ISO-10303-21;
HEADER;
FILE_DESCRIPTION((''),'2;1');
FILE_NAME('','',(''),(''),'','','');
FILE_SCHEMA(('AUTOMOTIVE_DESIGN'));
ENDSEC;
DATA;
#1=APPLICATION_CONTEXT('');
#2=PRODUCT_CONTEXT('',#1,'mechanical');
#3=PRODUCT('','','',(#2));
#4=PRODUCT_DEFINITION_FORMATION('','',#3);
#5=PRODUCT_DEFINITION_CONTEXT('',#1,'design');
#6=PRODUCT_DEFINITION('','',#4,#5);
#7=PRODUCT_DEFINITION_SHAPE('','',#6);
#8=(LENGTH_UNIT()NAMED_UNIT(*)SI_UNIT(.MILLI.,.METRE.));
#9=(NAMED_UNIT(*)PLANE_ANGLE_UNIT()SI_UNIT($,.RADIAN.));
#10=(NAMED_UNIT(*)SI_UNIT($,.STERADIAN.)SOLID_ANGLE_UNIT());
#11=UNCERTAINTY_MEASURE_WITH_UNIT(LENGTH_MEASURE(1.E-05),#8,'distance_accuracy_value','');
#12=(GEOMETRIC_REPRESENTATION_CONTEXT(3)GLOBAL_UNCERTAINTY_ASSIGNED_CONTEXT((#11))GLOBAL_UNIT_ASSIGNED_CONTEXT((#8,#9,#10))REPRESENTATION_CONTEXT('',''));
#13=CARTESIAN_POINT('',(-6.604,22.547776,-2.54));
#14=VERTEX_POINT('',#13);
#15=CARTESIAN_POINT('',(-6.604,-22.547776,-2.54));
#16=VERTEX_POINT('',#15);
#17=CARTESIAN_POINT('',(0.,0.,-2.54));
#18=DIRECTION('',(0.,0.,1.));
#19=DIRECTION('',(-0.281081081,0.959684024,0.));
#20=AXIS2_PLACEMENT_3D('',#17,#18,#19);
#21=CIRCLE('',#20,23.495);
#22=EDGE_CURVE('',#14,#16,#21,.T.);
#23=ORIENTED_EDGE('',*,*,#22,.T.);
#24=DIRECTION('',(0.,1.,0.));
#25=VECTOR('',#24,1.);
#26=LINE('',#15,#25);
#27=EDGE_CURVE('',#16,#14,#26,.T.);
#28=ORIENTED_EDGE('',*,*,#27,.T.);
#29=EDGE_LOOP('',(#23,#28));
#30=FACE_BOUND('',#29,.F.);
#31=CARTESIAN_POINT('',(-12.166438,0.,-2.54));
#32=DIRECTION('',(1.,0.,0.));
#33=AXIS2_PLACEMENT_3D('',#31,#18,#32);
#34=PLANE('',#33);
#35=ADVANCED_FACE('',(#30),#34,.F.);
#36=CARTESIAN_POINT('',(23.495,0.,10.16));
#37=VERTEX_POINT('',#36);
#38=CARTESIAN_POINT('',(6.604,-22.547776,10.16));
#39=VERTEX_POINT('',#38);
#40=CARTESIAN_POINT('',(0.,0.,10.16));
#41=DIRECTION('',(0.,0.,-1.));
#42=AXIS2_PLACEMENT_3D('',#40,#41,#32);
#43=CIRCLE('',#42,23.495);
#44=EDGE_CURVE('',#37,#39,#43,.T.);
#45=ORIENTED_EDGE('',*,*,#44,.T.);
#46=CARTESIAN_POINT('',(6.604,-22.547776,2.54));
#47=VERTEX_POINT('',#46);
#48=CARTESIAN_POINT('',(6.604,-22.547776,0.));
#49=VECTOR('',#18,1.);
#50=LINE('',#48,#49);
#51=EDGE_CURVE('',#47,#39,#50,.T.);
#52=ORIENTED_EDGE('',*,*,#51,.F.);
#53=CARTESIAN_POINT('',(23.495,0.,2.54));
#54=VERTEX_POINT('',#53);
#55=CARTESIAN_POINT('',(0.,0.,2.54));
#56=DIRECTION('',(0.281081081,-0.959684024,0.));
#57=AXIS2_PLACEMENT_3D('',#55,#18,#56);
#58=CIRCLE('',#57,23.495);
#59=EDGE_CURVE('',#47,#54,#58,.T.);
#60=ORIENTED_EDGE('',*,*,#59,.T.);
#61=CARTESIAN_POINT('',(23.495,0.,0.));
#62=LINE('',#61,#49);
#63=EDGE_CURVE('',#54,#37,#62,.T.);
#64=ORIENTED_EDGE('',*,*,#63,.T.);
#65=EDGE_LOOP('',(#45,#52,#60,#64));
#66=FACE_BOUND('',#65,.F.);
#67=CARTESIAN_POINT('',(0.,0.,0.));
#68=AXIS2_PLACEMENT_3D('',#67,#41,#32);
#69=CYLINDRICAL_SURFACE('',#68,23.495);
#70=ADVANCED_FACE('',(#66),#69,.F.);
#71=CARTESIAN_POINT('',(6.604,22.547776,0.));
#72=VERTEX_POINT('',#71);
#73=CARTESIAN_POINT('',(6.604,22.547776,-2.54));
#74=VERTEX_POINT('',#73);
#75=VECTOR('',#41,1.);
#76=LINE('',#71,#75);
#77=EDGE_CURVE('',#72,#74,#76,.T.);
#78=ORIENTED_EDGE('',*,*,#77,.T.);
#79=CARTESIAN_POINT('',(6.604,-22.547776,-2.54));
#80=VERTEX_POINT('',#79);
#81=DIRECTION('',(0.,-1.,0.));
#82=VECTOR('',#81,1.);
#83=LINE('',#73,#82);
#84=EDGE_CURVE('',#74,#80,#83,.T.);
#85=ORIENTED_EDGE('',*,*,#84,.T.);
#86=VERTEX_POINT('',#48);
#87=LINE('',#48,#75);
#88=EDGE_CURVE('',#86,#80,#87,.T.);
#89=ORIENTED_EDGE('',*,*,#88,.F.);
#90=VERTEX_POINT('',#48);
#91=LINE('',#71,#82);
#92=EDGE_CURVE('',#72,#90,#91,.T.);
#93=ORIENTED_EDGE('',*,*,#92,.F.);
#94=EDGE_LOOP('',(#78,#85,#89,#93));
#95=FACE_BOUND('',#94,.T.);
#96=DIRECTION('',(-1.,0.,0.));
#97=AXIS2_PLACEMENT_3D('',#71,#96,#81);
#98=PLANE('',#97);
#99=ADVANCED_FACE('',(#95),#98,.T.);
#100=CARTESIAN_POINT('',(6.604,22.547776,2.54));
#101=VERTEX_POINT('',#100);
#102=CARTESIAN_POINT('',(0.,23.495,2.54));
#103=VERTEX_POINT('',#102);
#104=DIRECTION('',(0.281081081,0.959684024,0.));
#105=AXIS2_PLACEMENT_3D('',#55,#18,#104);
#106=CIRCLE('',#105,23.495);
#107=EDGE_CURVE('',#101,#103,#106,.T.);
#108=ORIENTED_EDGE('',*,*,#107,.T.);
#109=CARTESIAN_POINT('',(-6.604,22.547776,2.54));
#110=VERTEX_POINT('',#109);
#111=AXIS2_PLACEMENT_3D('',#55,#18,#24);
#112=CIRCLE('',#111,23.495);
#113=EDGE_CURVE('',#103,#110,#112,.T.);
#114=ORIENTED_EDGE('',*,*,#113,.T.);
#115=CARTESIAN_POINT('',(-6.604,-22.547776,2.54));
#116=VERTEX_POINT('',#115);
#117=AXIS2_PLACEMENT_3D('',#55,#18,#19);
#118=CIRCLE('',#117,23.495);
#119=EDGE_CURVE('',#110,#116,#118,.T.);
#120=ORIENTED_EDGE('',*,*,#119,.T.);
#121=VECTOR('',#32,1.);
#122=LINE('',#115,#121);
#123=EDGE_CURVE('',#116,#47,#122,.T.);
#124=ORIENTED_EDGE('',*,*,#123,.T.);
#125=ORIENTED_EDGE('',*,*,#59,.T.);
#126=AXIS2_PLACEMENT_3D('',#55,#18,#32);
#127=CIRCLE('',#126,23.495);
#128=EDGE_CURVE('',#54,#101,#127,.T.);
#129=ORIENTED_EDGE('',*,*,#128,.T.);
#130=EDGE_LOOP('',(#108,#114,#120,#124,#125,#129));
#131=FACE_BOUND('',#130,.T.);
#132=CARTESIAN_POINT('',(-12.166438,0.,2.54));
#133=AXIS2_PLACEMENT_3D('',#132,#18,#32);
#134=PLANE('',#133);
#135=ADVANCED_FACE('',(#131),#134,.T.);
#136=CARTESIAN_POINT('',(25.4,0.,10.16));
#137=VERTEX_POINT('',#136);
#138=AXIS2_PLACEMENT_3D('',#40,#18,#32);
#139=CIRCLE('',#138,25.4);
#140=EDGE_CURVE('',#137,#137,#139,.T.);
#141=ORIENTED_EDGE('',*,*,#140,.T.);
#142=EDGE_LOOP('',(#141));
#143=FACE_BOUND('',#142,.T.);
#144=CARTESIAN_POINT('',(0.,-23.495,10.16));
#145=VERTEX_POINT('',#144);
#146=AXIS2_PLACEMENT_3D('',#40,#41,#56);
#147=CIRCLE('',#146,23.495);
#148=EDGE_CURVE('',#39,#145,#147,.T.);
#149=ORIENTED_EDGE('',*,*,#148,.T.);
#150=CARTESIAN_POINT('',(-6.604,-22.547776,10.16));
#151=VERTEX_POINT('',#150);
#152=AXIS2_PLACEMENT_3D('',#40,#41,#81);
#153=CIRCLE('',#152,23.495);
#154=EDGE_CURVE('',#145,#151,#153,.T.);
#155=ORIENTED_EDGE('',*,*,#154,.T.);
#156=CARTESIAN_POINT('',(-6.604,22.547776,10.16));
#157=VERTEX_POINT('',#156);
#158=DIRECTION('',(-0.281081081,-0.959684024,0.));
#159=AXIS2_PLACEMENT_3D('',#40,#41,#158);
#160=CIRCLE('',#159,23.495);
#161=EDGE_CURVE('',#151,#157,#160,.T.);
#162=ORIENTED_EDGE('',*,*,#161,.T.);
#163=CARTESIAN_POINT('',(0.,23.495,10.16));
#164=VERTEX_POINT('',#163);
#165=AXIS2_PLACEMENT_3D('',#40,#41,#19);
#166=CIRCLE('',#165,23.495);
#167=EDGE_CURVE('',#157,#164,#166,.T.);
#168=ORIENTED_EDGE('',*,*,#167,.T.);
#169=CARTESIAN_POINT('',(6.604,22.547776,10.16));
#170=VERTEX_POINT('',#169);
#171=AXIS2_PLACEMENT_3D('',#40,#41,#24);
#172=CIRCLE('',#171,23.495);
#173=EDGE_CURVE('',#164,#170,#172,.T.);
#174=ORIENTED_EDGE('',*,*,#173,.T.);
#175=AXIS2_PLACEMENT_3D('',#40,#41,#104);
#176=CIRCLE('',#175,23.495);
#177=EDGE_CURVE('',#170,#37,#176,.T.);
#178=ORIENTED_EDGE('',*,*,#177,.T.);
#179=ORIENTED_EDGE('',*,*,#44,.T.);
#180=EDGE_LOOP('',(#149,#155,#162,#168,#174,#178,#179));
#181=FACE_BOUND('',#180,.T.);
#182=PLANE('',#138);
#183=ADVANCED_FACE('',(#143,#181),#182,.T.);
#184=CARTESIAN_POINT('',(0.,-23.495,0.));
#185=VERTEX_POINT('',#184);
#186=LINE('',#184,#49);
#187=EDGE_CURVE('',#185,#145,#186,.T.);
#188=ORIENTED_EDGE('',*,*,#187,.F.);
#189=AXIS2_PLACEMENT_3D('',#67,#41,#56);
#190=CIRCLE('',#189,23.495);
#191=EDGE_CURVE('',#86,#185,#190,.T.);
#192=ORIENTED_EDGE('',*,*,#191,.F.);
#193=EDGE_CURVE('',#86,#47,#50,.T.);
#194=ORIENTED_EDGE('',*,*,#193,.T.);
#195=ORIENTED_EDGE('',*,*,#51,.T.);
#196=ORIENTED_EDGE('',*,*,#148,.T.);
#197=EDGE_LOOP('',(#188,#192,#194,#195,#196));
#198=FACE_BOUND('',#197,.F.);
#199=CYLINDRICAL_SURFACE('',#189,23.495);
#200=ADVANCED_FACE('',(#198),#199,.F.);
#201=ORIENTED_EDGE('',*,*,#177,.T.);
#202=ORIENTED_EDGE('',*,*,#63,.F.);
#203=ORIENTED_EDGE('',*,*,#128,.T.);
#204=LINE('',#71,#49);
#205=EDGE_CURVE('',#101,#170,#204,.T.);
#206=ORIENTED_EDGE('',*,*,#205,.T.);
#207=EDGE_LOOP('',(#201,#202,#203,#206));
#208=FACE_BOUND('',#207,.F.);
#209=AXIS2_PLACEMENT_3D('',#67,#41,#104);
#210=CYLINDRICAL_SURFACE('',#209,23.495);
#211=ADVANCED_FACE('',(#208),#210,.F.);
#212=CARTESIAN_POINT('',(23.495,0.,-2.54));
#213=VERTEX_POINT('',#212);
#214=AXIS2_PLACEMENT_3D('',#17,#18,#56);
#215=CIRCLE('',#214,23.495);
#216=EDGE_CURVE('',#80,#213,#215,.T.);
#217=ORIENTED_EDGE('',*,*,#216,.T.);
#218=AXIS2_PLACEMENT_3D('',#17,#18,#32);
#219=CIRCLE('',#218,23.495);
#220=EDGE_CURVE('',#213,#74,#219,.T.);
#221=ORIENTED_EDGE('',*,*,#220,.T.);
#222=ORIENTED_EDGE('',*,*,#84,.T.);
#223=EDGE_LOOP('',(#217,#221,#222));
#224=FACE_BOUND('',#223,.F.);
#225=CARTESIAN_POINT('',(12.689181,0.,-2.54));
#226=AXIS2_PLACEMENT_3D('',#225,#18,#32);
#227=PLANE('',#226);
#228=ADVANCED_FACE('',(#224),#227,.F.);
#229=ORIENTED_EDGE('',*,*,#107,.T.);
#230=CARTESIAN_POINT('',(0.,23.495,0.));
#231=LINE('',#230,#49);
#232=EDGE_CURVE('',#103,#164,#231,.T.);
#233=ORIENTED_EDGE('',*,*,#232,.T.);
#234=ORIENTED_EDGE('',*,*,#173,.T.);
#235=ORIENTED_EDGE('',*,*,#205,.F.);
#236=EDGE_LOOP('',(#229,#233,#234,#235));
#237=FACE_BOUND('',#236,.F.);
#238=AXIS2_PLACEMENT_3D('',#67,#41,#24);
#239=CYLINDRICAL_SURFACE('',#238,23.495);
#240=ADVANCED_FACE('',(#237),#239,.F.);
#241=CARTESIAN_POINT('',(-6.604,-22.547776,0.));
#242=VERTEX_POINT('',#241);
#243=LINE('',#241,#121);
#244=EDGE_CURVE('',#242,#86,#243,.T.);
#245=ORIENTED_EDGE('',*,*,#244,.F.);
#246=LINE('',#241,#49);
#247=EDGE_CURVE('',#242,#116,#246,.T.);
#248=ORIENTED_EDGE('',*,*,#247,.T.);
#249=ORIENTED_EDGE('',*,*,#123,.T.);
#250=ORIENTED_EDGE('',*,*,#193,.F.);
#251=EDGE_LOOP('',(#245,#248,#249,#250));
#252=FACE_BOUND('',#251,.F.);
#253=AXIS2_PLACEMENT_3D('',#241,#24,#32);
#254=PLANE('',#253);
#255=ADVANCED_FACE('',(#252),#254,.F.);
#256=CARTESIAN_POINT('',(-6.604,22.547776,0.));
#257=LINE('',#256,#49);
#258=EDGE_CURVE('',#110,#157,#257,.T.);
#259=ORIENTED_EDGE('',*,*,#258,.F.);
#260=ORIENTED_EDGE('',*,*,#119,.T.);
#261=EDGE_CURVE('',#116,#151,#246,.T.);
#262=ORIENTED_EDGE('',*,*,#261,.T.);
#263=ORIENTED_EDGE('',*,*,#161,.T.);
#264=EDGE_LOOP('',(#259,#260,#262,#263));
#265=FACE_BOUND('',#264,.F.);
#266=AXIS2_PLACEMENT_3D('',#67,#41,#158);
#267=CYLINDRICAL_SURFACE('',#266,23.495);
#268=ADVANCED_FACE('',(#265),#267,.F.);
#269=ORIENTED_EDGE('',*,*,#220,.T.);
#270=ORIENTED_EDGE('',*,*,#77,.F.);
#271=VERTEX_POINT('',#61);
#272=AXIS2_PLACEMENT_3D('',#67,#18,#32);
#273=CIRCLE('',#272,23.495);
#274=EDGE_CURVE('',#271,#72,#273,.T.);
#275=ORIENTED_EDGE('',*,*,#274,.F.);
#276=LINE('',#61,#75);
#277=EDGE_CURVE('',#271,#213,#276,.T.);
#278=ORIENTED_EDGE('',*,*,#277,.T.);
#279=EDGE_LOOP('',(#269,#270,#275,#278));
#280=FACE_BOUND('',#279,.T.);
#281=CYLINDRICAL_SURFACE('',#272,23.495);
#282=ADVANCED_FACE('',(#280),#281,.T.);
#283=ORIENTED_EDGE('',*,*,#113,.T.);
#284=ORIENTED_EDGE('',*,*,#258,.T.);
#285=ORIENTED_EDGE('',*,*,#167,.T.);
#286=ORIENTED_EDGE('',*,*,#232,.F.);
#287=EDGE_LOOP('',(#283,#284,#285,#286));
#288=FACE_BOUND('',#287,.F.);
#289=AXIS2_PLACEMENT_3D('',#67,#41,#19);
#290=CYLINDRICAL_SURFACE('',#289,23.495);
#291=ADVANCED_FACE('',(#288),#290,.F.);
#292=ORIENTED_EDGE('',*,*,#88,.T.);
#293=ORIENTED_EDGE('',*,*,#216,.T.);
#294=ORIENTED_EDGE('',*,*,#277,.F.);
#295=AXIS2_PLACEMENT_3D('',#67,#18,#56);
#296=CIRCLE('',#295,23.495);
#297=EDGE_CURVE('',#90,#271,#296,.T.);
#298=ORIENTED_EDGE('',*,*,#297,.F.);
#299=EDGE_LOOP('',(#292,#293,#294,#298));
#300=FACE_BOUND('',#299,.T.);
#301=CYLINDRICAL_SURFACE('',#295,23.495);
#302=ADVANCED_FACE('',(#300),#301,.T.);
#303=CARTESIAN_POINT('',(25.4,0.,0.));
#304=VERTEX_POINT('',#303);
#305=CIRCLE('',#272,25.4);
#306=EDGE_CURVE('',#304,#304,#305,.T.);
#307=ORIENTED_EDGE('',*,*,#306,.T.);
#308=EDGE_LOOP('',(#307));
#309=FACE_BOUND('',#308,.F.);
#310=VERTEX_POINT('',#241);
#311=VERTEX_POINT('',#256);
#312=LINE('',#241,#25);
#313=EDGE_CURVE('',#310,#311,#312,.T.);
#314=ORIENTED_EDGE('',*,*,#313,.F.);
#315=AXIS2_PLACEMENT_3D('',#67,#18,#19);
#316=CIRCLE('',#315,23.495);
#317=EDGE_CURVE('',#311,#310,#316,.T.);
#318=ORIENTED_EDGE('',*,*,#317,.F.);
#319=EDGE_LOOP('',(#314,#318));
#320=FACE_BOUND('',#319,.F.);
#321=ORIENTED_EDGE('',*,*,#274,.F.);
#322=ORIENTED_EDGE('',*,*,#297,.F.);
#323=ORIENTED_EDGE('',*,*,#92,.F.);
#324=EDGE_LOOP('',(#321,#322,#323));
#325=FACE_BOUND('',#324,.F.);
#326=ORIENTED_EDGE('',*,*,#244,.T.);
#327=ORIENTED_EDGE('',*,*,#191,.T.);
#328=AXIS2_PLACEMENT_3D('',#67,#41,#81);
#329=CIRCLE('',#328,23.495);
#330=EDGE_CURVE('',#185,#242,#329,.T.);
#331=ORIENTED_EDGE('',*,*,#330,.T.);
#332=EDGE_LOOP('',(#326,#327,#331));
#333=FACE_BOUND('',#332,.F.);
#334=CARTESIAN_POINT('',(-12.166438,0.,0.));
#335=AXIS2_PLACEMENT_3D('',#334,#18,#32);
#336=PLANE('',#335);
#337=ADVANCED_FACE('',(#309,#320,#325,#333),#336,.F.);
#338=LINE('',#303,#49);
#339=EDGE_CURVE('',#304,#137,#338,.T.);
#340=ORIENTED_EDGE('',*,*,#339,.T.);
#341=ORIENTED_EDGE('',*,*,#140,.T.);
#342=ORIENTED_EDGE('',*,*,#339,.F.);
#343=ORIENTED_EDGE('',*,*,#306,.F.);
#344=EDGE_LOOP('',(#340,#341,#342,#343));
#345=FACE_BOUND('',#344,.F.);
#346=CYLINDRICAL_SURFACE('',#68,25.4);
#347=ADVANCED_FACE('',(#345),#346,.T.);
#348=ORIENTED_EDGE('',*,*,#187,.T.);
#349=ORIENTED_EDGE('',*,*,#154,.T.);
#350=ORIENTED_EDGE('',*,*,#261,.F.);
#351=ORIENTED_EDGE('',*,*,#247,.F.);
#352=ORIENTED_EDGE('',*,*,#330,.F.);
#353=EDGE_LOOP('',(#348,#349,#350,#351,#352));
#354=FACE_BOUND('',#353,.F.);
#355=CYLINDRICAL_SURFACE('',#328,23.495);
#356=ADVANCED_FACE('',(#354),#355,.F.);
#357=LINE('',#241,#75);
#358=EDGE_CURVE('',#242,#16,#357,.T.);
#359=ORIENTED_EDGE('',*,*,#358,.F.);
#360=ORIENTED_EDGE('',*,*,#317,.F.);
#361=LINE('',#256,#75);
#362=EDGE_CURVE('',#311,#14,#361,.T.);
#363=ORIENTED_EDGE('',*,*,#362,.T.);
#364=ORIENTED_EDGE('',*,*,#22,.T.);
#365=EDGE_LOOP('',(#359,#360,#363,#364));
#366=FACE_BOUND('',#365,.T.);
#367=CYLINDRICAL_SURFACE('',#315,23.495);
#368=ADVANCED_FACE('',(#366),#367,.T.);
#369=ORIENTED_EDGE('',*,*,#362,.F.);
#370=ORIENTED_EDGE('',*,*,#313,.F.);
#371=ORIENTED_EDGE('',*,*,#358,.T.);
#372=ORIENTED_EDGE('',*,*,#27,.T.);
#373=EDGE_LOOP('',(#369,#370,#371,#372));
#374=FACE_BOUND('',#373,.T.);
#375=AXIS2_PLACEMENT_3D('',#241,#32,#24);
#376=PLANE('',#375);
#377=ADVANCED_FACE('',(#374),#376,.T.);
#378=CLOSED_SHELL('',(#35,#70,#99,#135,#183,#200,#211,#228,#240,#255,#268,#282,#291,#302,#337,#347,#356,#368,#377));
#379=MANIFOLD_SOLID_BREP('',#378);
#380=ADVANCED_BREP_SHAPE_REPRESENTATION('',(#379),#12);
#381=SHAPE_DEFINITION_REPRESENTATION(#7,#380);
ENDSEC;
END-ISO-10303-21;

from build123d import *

# Parameters (mm, degrees)
F0_R     = 25.4
F1_DEPTH = 10.16
F2_DEPTH = 2.54
F3_DEPTH = 2.54


with BuildPart() as f1:
    # F0 (on Top) → F1 (new body)
    with BuildSketch(Plane.XY):
        Circle(F0_R)
        with BuildLine():
            ThreePointArc((0, -23.495), (-3.3357925983, -23.256988471), (-6.604, -22.5477761431))
            ThreePointArc((-6.604, -22.5477761431), (-23.495, 0), (-6.604, 22.5477761431))
            Line((-6.604, 22.5477761431), (-6.604, 23.495))
            Line((-6.604, 23.495), (0, 23.495))
            Line((0, 23.495), (6.604, 23.495))
            Line((6.604, 23.495), (6.604, 22.5477761431))
            ThreePointArc((6.604, 22.5477761431), (18.8039358247, 14.086412691), (23.495, 0))
            ThreePointArc((23.495, 0), (18.8039358247, -14.086412691), (6.604, -22.5477761431))
            ThreePointArc((6.604, -22.5477761431), (3.3357925983, -23.256988471), (0, -23.495))
        make_face(mode=Mode.SUBTRACT)
        with BuildLine():
            Line((-6.604, 23.495), (-6.604, 22.5477761431))
            ThreePointArc((-6.604, 22.5477761431), (-3.3357925983, 23.256988471), (0, 23.495))
            Line((0, 23.495), (-6.604, 23.495))
        make_face()
        with BuildLine():
            Line((6.604, 23.495), (0, 23.495))
            ThreePointArc((0, 23.495), (3.3357925983, 23.256988471), (6.604, 22.5477761431))
            Line((6.604, 22.5477761431), (6.604, 23.495))
        make_face()
    extrude(amount=F1_DEPTH)

    # F0 (on Top) → F2 (join)
    with BuildSketch(Plane.XY):
        with BuildLine():
            ThreePointArc((-6.604, 22.5477761431), (-23.495, 0), (-6.604, -22.5477761431))
            Line((-6.604, -22.5477761431), (-6.604, 22.5477761431))
        make_face()
        with BuildLine():
            Line((-6.604, 22.5477761431), (-6.604, -22.5477761431))
            Line((-6.604, -22.5477761431), (0, -22.5477761431))
            Line((0, -22.5477761431), (0, 23.495))
            ThreePointArc((0, 23.495), (-3.3357925983, 23.256988471), (-6.604, 22.5477761431))
        make_face()
        with BuildLine():
            Line((0, 23.495), (0, -22.5477761431))
            Line((0, -22.5477761431), (6.604, -22.5477761431))
            Line((6.604, -22.5477761431), (6.604, 22.5477761431))
            ThreePointArc((6.604, 22.5477761431), (3.3357925983, 23.256988471), (0, 23.495))
        make_face()
        with BuildLine():
            Line((6.604, 22.5477761431), (6.604, -22.5477761431))
            ThreePointArc((6.604, -22.5477761431), (18.8039358247, -14.086412691), (23.495, 0))
            ThreePointArc((23.495, 0), (18.8039358247, 14.086412691), (6.604, 22.5477761431))
        make_face()
    extrude(amount=F2_DEPTH)

    # F0 (on Top) → F3 (join)
    with BuildSketch(Plane.XY):
        with BuildLine():
            ThreePointArc((-6.604, 22.5477761431), (-23.495, 0), (-6.604, -22.5477761431))
            Line((-6.604, -22.5477761431), (-6.604, 22.5477761431))
        make_face()
        with BuildLine():
            Line((6.604, 22.5477761431), (6.604, -22.5477761431))
            ThreePointArc((6.604, -22.5477761431), (18.8039358247, -14.086412691), (23.495, 0))
            ThreePointArc((23.495, 0), (18.8039358247, 14.086412691), (6.604, 22.5477761431))
        make_face()
    extrude(amount=-F3_DEPTH)


solid = f1.part
